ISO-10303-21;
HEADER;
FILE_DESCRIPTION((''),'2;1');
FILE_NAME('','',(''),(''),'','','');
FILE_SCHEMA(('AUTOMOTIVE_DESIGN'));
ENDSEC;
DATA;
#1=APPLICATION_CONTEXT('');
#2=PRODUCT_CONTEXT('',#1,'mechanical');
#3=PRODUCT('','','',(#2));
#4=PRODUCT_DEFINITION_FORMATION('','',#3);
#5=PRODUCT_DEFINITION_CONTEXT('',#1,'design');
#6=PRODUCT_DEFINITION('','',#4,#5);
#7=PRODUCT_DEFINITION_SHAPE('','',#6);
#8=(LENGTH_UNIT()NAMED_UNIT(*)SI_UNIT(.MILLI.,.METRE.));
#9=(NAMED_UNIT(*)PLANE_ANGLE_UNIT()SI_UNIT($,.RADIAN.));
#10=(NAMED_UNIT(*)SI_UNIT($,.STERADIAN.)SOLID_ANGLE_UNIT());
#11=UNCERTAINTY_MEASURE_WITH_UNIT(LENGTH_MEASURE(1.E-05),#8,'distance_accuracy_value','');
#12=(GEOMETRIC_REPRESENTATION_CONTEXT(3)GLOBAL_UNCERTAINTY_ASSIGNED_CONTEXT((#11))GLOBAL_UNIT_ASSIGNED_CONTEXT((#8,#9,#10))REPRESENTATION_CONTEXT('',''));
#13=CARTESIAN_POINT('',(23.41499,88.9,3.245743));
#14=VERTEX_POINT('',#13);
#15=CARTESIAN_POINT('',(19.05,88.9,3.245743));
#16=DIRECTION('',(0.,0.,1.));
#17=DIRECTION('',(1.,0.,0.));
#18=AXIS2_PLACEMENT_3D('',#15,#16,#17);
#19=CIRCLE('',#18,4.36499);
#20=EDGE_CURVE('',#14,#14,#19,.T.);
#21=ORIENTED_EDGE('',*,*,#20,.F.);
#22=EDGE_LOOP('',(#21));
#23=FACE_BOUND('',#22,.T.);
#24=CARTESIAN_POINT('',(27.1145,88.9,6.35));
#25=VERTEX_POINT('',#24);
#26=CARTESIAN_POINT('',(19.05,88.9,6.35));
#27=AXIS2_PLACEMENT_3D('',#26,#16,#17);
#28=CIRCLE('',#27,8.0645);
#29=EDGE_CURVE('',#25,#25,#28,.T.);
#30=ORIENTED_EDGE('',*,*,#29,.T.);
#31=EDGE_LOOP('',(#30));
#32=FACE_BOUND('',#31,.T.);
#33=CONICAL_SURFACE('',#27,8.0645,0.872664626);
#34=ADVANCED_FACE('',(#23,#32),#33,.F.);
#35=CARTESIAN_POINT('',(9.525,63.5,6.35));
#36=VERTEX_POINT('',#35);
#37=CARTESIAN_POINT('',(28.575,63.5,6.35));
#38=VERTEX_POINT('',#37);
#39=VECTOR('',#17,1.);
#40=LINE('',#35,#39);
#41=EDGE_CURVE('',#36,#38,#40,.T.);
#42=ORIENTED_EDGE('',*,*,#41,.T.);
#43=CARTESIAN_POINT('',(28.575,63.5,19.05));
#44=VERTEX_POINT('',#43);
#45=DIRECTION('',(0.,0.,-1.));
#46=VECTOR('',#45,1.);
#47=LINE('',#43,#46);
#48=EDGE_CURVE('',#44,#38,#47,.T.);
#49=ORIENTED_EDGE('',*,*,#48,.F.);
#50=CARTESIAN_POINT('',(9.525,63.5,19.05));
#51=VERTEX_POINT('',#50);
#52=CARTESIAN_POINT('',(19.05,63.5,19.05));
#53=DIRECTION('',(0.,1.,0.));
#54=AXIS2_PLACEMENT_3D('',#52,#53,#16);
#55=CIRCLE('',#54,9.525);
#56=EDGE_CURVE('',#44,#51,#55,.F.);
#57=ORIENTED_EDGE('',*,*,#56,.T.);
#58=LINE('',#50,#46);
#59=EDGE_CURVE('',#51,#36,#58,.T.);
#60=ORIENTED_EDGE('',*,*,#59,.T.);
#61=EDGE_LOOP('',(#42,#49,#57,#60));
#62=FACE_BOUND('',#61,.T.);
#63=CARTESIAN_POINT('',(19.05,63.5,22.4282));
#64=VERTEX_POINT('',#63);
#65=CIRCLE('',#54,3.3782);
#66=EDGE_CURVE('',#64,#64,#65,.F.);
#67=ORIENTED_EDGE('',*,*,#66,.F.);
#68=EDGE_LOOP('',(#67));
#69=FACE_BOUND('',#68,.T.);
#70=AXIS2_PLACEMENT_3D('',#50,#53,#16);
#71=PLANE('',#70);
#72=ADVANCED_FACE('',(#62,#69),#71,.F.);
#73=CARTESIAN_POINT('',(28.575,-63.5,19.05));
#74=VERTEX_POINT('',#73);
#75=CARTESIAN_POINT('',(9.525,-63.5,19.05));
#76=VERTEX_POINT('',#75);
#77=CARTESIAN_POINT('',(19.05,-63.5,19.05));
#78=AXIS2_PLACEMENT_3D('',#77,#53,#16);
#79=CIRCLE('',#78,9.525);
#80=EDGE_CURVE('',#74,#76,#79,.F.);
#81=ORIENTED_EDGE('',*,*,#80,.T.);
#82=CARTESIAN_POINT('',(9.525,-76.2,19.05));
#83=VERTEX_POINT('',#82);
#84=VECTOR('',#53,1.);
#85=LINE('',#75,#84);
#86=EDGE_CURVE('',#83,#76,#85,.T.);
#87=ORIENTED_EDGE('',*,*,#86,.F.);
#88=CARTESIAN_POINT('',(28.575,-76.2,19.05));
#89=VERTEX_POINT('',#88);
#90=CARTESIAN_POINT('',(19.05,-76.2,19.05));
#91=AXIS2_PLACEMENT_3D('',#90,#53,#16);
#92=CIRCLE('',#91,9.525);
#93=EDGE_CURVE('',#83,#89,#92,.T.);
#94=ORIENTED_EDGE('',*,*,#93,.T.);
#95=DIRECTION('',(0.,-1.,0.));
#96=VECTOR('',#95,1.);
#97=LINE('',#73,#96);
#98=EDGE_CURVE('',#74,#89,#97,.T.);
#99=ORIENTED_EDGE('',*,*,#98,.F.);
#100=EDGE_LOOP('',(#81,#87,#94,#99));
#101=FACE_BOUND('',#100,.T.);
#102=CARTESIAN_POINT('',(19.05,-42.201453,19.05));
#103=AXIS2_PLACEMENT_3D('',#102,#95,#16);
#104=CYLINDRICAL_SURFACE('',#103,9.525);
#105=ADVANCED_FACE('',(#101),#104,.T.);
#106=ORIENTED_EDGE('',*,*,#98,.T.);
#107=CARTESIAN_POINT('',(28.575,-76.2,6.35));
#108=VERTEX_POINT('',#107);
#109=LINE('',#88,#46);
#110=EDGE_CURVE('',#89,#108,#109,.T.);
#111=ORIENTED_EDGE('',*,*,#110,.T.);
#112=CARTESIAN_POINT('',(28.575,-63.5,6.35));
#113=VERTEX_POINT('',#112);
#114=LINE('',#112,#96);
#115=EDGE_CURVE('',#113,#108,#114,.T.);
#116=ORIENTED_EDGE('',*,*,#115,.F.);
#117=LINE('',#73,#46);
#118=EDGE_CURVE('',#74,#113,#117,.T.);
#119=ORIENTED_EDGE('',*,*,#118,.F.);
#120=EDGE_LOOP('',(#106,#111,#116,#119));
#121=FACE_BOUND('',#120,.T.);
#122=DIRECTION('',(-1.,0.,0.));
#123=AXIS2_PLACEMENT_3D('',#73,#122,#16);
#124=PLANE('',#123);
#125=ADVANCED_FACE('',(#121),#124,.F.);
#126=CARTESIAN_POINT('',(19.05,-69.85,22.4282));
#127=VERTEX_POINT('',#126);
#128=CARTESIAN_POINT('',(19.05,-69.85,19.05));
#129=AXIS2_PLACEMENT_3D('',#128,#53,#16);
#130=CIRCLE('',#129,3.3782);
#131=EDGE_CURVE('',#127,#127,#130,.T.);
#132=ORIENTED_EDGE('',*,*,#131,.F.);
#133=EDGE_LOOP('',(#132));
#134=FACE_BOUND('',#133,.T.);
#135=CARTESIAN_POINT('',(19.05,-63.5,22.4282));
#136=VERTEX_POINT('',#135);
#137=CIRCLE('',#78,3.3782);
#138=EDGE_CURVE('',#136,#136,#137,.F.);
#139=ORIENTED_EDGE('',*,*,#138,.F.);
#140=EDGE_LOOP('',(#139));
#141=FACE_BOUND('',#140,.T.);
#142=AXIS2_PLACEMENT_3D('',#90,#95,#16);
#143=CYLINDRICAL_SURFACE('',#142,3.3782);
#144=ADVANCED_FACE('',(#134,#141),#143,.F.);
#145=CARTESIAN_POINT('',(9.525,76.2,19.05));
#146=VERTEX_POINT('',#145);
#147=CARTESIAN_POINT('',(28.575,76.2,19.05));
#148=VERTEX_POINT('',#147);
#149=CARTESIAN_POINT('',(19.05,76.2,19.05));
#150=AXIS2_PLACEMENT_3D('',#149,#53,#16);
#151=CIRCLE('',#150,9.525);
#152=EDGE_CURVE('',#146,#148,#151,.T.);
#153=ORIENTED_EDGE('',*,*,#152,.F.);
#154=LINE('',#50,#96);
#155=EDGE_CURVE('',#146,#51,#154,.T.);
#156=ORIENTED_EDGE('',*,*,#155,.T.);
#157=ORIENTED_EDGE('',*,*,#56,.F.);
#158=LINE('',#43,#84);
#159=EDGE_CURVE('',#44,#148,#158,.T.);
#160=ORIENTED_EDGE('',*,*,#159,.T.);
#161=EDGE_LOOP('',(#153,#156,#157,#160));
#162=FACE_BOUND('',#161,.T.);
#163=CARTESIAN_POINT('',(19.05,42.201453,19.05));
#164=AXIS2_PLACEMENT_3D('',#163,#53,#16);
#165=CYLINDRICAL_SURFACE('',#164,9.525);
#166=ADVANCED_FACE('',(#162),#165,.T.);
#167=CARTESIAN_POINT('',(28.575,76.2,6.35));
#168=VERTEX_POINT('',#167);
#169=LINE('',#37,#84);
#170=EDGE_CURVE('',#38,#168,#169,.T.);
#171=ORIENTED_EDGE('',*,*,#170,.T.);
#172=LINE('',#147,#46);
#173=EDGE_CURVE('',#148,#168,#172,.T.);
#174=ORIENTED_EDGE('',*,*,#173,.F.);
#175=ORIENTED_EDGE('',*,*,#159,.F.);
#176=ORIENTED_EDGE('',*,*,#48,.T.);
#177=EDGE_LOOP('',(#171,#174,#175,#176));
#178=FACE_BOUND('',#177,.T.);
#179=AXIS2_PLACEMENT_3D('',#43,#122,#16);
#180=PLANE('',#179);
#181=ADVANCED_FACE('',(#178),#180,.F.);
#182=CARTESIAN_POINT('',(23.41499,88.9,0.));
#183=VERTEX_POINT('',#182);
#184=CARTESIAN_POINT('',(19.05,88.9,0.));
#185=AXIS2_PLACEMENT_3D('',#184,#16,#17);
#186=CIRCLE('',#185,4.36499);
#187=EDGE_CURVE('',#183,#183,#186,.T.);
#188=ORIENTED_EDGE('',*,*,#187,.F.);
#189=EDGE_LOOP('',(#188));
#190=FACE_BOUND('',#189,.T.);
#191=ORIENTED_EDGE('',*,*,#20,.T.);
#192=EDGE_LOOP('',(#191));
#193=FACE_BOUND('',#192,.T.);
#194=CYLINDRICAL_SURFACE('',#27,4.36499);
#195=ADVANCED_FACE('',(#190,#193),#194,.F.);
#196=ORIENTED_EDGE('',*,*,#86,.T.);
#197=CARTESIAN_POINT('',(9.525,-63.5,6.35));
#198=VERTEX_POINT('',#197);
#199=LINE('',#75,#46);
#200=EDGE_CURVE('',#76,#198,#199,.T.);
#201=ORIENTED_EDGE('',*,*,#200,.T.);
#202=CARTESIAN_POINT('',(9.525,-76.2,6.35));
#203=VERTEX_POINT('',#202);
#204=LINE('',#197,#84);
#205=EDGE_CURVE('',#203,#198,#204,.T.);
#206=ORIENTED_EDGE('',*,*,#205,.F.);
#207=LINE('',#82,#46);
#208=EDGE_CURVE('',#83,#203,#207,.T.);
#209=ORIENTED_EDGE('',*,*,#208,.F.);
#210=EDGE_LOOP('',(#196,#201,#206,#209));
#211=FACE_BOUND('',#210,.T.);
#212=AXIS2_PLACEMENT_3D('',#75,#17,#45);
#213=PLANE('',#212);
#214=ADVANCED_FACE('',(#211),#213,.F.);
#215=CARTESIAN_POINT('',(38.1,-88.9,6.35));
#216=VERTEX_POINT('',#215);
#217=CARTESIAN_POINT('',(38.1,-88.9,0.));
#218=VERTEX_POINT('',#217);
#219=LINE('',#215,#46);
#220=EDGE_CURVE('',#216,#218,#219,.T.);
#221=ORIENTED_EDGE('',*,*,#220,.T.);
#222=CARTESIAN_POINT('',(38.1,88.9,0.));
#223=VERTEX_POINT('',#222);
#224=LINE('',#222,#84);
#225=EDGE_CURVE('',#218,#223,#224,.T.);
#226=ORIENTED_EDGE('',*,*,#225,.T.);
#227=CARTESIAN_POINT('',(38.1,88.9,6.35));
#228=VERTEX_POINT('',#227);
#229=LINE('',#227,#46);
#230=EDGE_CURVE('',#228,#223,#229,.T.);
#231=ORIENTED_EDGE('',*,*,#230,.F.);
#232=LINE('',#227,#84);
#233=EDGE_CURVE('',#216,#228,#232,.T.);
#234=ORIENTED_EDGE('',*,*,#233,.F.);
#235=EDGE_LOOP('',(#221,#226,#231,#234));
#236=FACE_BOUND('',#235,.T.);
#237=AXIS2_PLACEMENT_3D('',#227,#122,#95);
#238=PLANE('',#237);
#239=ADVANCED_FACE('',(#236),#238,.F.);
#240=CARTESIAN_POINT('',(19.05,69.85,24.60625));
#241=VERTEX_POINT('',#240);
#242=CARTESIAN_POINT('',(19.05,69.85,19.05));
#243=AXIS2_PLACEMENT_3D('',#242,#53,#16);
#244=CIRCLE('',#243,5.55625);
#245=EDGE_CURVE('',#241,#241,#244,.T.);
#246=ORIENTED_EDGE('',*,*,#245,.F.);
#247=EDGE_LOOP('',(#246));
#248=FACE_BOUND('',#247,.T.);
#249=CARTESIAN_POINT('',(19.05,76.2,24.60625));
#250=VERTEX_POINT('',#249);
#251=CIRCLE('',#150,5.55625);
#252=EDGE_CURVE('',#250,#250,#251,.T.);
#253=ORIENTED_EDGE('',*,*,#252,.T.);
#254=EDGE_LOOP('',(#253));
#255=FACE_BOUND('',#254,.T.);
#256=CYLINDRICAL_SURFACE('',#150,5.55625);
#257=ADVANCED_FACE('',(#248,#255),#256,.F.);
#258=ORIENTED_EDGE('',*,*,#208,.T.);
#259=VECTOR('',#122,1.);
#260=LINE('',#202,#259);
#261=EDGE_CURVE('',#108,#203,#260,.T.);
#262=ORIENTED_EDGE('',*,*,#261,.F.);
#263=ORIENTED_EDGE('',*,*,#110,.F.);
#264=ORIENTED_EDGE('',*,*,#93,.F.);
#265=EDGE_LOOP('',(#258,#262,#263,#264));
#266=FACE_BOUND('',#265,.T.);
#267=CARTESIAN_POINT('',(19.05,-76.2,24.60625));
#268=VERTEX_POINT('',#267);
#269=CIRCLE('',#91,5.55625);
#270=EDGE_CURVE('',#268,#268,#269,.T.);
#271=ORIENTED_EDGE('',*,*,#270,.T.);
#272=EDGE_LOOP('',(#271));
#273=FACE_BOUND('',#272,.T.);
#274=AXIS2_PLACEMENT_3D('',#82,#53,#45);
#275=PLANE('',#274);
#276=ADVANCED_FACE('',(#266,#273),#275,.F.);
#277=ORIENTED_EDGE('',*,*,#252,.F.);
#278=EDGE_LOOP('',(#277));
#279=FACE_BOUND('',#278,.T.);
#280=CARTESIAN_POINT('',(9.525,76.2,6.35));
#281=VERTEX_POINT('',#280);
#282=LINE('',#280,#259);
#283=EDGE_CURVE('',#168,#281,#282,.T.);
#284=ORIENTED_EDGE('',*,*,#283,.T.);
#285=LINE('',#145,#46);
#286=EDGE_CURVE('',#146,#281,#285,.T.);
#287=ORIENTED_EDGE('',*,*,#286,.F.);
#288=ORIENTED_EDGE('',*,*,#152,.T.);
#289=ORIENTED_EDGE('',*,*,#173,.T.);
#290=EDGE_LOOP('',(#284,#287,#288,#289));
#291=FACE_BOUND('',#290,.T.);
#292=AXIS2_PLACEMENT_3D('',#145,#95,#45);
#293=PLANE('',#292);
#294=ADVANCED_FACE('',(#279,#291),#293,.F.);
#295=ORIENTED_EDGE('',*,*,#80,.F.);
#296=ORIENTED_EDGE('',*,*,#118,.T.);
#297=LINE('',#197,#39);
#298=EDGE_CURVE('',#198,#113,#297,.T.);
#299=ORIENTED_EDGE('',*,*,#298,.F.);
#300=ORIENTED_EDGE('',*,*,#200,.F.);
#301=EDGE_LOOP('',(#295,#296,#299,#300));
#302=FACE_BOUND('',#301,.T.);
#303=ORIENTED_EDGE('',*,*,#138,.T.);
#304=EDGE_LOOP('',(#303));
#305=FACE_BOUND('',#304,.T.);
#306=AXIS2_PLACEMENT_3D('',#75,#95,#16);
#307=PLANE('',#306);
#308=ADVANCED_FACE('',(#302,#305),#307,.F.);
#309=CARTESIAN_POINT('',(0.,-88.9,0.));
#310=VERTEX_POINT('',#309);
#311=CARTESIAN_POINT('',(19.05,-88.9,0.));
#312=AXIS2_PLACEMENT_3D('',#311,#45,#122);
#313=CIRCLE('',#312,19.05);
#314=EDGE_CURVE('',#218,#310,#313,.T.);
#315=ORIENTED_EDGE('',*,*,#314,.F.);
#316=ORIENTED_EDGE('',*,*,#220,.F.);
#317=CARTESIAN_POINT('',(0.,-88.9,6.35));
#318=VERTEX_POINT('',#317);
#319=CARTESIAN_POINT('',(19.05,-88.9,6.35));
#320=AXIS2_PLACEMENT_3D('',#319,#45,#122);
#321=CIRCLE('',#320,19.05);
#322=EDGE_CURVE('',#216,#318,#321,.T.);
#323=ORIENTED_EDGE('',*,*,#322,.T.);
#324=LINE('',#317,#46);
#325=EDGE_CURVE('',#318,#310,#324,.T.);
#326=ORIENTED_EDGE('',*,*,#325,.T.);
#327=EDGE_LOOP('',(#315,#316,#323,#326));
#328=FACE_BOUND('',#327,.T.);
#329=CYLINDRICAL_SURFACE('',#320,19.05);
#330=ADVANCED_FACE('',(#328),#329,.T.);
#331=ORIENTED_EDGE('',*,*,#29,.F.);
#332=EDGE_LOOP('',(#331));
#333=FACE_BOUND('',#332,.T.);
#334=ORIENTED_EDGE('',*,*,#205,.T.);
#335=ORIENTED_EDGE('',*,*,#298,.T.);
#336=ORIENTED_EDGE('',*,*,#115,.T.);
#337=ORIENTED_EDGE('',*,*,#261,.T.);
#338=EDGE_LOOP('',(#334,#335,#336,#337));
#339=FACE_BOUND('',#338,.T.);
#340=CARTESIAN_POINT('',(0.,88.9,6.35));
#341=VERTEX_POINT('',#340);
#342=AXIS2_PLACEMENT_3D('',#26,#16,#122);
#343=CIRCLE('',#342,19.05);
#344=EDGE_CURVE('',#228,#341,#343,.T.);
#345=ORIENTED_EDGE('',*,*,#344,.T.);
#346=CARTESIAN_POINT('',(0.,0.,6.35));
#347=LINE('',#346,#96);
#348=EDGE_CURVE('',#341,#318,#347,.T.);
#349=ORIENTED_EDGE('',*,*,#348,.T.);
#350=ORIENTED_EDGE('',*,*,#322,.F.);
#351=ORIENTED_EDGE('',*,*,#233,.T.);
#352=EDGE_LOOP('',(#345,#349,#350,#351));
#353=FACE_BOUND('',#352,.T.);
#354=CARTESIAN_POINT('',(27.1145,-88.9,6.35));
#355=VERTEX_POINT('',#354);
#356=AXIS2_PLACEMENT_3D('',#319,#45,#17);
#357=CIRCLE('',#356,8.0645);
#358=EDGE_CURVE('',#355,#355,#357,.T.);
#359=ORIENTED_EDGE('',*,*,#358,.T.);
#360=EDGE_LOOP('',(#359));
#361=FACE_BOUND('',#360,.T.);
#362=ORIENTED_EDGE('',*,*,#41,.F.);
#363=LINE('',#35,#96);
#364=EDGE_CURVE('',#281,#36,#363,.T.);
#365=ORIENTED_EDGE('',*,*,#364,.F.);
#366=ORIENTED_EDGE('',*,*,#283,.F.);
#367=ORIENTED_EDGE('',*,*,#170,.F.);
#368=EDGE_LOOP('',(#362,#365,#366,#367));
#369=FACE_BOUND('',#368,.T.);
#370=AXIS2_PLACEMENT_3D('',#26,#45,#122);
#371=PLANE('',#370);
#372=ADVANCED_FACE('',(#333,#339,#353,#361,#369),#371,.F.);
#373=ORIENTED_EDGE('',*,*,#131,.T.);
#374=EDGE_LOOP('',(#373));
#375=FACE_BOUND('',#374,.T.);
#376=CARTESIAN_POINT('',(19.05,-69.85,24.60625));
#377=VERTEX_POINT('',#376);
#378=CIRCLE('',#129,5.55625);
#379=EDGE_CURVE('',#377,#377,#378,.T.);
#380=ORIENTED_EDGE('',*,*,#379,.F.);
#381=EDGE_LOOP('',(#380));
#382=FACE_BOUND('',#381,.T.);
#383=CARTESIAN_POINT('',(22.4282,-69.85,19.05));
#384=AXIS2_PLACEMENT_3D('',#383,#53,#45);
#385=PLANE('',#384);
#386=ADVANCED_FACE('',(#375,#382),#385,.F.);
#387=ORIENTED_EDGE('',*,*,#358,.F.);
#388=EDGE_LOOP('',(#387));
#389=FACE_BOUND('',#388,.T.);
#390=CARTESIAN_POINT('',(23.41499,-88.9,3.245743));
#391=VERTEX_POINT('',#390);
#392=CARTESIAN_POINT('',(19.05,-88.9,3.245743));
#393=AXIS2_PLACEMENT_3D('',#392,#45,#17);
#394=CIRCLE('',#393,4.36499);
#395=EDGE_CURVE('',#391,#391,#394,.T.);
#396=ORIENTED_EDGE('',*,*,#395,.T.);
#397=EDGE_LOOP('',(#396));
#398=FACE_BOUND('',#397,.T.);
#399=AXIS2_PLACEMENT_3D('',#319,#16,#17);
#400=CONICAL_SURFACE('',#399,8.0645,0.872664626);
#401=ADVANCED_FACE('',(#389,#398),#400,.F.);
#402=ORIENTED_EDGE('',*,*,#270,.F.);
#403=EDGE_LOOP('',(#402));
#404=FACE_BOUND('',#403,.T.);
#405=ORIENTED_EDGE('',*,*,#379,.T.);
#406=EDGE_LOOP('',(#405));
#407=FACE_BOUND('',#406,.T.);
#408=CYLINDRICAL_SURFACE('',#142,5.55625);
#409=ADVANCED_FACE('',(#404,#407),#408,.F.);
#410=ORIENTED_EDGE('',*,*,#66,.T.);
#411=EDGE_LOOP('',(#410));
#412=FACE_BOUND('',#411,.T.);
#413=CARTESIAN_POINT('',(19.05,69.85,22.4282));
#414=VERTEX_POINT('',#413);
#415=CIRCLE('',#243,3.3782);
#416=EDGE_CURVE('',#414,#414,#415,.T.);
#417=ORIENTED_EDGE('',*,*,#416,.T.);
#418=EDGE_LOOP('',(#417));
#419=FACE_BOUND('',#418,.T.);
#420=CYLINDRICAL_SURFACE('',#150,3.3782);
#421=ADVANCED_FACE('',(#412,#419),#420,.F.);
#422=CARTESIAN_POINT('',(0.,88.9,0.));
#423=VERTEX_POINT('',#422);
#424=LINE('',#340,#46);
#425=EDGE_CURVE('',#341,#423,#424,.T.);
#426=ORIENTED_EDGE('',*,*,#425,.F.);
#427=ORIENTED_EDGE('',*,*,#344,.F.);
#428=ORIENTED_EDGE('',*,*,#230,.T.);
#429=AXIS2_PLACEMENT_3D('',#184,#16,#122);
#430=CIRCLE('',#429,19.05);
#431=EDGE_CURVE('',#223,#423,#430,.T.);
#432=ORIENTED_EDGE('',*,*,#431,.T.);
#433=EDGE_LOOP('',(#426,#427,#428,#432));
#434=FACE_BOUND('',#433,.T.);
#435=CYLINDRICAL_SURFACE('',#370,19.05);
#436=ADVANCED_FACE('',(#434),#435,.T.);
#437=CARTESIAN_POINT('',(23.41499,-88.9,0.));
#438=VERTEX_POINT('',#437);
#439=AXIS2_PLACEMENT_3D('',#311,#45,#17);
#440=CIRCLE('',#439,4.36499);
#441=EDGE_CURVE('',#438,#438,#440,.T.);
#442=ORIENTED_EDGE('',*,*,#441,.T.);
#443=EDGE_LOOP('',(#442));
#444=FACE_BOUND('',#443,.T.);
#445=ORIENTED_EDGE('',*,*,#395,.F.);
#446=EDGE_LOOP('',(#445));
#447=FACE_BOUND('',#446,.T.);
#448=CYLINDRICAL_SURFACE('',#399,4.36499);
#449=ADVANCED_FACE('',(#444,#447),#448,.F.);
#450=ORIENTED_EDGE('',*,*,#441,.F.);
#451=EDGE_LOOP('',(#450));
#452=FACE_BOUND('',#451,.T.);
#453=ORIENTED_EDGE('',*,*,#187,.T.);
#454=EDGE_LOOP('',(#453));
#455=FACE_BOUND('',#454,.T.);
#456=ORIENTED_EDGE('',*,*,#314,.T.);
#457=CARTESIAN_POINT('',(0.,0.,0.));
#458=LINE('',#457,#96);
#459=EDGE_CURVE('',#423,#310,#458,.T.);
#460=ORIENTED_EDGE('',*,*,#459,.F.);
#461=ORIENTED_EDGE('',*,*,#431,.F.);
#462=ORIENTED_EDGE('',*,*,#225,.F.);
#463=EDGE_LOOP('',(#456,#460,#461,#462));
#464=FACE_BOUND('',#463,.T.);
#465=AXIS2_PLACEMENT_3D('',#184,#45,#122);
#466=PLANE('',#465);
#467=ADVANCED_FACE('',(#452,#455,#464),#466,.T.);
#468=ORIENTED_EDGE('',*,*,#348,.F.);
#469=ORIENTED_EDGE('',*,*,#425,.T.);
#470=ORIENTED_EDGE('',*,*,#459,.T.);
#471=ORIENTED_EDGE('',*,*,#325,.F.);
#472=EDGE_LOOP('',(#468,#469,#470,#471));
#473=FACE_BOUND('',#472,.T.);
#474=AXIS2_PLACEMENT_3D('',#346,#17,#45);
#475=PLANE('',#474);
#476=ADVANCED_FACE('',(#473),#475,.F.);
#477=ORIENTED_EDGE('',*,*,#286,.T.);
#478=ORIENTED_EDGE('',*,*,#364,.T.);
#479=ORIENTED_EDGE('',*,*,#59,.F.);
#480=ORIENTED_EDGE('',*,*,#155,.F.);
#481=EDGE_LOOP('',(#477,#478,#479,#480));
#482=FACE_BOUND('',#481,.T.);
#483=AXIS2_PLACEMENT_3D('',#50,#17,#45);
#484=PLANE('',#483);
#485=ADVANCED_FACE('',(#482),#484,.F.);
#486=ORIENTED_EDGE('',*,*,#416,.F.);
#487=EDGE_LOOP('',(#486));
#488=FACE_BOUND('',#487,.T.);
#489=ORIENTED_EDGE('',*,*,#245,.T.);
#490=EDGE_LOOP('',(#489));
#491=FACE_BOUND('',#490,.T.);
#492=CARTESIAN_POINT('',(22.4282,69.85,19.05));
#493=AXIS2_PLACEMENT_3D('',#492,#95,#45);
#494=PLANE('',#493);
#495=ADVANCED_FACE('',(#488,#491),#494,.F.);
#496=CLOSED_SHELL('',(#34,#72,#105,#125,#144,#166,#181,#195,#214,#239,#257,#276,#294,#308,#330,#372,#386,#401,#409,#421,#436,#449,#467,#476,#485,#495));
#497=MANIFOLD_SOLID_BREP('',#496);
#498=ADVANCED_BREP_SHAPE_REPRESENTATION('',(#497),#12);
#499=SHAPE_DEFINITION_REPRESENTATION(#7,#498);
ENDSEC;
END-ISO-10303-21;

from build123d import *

# Parameters (mm, degrees)
BOSS_EXTRUDE1_DEPTH                              = 6.35
SKETCH6_W                                        = 19.05
SKETCH6_H                                        = 12.7
BOSS_EXTRUDE4_DEPTH                              = 12.7
BOSS_EXTRUDE7_DEPTH                              = 12.7
CBORE_FOR_1_4_SOCKET_HEAD_CAP_SCREW1_D           = 6.7564
CBORE_FOR_1_4_SOCKET_HEAD_CAP_SCREW1_CBORE_D     = 11.1125
CBORE_FOR_1_4_SOCKET_HEAD_CAP_SCREW1_CBORE_DEPTH = 6.35


with BuildPart() as part:
    # Sketch1 → Boss-Extrude1 (new body)
    with BuildSketch(Plane.XY):
        with BuildLine():
            Line((0, 0), (0, 88.9))
            ThreePointArc((0, 88.9), (19.05, 107.95), (38.1, 88.9))
            Line((38.1, 88.9), (38.1, 0))
            Line((38.1, 0), (0, 0))
        make_face()
    extrude(amount=BOSS_EXTRUDE1_DEPTH)

    # Sketch5 → CSK for 5/16 Flat Head Machine Screw (100)1 (revolve, cut)
    with BuildSketch(Plane(origin=(19.05, 88.9, 6.35), x_dir=(0, -1, 0), z_dir=(1, 0, 0))):
        Polygon((0, 0), (0, 6.35), (4.36499, 6.35), (4.36499, 3.104257477), (8.0645, 0), align=None)
    revolve(axis=Axis((19.05, 88.9, 12.7), (0, 0, -1)), mode=Mode.SUBTRACT)

    # Sketch6 → Boss-Extrude4 (add)
    with BuildSketch(Plane.XY.offset(6.35)):
        with Locations((19.05, 69.85)):
            Rectangle(SKETCH6_W, SKETCH6_H)
    extrude(amount=BOSS_EXTRUDE4_DEPTH)

    # Sketch12 → Boss-Extrude7 (add)
    with BuildSketch(Plane(origin=(0, 76.2, 0), x_dir=(1, 0, 0), z_dir=(0, 1, 0))):
        with BuildLine():
            Line((9.525, -19.05), (28.575, -19.05))
            ThreePointArc((28.575, -19.05), (19.05, -28.575), (9.525, -19.05))
        make_face()
    extrude(amount=-BOSS_EXTRUDE7_DEPTH)

    # CBORE for 1/4 Socket Head Cap Screw1 (through all)
    with Locations(Plane(origin=(0, 76.2, 0), x_dir=(1, 0, 0), z_dir=(0, 1, 0))):
        with Locations((19.05, -19.05)):
            CounterBoreHole(CBORE_FOR_1_4_SOCKET_HEAD_CAP_SCREW1_D / 2, CBORE_FOR_1_4_SOCKET_HEAD_CAP_SCREW1_CBORE_D / 2, CBORE_FOR_1_4_SOCKET_HEAD_CAP_SCREW1_CBORE_DEPTH)

    # Mirror1: part across plane


with BuildPart() as part_1:
    add(part.part)
    add(part.part.mirror(Plane(origin=(38.1, 0, 6.35), x_dir=(0, 0, 1), z_dir=(0, 1, 0))))


solid = part_1.part
